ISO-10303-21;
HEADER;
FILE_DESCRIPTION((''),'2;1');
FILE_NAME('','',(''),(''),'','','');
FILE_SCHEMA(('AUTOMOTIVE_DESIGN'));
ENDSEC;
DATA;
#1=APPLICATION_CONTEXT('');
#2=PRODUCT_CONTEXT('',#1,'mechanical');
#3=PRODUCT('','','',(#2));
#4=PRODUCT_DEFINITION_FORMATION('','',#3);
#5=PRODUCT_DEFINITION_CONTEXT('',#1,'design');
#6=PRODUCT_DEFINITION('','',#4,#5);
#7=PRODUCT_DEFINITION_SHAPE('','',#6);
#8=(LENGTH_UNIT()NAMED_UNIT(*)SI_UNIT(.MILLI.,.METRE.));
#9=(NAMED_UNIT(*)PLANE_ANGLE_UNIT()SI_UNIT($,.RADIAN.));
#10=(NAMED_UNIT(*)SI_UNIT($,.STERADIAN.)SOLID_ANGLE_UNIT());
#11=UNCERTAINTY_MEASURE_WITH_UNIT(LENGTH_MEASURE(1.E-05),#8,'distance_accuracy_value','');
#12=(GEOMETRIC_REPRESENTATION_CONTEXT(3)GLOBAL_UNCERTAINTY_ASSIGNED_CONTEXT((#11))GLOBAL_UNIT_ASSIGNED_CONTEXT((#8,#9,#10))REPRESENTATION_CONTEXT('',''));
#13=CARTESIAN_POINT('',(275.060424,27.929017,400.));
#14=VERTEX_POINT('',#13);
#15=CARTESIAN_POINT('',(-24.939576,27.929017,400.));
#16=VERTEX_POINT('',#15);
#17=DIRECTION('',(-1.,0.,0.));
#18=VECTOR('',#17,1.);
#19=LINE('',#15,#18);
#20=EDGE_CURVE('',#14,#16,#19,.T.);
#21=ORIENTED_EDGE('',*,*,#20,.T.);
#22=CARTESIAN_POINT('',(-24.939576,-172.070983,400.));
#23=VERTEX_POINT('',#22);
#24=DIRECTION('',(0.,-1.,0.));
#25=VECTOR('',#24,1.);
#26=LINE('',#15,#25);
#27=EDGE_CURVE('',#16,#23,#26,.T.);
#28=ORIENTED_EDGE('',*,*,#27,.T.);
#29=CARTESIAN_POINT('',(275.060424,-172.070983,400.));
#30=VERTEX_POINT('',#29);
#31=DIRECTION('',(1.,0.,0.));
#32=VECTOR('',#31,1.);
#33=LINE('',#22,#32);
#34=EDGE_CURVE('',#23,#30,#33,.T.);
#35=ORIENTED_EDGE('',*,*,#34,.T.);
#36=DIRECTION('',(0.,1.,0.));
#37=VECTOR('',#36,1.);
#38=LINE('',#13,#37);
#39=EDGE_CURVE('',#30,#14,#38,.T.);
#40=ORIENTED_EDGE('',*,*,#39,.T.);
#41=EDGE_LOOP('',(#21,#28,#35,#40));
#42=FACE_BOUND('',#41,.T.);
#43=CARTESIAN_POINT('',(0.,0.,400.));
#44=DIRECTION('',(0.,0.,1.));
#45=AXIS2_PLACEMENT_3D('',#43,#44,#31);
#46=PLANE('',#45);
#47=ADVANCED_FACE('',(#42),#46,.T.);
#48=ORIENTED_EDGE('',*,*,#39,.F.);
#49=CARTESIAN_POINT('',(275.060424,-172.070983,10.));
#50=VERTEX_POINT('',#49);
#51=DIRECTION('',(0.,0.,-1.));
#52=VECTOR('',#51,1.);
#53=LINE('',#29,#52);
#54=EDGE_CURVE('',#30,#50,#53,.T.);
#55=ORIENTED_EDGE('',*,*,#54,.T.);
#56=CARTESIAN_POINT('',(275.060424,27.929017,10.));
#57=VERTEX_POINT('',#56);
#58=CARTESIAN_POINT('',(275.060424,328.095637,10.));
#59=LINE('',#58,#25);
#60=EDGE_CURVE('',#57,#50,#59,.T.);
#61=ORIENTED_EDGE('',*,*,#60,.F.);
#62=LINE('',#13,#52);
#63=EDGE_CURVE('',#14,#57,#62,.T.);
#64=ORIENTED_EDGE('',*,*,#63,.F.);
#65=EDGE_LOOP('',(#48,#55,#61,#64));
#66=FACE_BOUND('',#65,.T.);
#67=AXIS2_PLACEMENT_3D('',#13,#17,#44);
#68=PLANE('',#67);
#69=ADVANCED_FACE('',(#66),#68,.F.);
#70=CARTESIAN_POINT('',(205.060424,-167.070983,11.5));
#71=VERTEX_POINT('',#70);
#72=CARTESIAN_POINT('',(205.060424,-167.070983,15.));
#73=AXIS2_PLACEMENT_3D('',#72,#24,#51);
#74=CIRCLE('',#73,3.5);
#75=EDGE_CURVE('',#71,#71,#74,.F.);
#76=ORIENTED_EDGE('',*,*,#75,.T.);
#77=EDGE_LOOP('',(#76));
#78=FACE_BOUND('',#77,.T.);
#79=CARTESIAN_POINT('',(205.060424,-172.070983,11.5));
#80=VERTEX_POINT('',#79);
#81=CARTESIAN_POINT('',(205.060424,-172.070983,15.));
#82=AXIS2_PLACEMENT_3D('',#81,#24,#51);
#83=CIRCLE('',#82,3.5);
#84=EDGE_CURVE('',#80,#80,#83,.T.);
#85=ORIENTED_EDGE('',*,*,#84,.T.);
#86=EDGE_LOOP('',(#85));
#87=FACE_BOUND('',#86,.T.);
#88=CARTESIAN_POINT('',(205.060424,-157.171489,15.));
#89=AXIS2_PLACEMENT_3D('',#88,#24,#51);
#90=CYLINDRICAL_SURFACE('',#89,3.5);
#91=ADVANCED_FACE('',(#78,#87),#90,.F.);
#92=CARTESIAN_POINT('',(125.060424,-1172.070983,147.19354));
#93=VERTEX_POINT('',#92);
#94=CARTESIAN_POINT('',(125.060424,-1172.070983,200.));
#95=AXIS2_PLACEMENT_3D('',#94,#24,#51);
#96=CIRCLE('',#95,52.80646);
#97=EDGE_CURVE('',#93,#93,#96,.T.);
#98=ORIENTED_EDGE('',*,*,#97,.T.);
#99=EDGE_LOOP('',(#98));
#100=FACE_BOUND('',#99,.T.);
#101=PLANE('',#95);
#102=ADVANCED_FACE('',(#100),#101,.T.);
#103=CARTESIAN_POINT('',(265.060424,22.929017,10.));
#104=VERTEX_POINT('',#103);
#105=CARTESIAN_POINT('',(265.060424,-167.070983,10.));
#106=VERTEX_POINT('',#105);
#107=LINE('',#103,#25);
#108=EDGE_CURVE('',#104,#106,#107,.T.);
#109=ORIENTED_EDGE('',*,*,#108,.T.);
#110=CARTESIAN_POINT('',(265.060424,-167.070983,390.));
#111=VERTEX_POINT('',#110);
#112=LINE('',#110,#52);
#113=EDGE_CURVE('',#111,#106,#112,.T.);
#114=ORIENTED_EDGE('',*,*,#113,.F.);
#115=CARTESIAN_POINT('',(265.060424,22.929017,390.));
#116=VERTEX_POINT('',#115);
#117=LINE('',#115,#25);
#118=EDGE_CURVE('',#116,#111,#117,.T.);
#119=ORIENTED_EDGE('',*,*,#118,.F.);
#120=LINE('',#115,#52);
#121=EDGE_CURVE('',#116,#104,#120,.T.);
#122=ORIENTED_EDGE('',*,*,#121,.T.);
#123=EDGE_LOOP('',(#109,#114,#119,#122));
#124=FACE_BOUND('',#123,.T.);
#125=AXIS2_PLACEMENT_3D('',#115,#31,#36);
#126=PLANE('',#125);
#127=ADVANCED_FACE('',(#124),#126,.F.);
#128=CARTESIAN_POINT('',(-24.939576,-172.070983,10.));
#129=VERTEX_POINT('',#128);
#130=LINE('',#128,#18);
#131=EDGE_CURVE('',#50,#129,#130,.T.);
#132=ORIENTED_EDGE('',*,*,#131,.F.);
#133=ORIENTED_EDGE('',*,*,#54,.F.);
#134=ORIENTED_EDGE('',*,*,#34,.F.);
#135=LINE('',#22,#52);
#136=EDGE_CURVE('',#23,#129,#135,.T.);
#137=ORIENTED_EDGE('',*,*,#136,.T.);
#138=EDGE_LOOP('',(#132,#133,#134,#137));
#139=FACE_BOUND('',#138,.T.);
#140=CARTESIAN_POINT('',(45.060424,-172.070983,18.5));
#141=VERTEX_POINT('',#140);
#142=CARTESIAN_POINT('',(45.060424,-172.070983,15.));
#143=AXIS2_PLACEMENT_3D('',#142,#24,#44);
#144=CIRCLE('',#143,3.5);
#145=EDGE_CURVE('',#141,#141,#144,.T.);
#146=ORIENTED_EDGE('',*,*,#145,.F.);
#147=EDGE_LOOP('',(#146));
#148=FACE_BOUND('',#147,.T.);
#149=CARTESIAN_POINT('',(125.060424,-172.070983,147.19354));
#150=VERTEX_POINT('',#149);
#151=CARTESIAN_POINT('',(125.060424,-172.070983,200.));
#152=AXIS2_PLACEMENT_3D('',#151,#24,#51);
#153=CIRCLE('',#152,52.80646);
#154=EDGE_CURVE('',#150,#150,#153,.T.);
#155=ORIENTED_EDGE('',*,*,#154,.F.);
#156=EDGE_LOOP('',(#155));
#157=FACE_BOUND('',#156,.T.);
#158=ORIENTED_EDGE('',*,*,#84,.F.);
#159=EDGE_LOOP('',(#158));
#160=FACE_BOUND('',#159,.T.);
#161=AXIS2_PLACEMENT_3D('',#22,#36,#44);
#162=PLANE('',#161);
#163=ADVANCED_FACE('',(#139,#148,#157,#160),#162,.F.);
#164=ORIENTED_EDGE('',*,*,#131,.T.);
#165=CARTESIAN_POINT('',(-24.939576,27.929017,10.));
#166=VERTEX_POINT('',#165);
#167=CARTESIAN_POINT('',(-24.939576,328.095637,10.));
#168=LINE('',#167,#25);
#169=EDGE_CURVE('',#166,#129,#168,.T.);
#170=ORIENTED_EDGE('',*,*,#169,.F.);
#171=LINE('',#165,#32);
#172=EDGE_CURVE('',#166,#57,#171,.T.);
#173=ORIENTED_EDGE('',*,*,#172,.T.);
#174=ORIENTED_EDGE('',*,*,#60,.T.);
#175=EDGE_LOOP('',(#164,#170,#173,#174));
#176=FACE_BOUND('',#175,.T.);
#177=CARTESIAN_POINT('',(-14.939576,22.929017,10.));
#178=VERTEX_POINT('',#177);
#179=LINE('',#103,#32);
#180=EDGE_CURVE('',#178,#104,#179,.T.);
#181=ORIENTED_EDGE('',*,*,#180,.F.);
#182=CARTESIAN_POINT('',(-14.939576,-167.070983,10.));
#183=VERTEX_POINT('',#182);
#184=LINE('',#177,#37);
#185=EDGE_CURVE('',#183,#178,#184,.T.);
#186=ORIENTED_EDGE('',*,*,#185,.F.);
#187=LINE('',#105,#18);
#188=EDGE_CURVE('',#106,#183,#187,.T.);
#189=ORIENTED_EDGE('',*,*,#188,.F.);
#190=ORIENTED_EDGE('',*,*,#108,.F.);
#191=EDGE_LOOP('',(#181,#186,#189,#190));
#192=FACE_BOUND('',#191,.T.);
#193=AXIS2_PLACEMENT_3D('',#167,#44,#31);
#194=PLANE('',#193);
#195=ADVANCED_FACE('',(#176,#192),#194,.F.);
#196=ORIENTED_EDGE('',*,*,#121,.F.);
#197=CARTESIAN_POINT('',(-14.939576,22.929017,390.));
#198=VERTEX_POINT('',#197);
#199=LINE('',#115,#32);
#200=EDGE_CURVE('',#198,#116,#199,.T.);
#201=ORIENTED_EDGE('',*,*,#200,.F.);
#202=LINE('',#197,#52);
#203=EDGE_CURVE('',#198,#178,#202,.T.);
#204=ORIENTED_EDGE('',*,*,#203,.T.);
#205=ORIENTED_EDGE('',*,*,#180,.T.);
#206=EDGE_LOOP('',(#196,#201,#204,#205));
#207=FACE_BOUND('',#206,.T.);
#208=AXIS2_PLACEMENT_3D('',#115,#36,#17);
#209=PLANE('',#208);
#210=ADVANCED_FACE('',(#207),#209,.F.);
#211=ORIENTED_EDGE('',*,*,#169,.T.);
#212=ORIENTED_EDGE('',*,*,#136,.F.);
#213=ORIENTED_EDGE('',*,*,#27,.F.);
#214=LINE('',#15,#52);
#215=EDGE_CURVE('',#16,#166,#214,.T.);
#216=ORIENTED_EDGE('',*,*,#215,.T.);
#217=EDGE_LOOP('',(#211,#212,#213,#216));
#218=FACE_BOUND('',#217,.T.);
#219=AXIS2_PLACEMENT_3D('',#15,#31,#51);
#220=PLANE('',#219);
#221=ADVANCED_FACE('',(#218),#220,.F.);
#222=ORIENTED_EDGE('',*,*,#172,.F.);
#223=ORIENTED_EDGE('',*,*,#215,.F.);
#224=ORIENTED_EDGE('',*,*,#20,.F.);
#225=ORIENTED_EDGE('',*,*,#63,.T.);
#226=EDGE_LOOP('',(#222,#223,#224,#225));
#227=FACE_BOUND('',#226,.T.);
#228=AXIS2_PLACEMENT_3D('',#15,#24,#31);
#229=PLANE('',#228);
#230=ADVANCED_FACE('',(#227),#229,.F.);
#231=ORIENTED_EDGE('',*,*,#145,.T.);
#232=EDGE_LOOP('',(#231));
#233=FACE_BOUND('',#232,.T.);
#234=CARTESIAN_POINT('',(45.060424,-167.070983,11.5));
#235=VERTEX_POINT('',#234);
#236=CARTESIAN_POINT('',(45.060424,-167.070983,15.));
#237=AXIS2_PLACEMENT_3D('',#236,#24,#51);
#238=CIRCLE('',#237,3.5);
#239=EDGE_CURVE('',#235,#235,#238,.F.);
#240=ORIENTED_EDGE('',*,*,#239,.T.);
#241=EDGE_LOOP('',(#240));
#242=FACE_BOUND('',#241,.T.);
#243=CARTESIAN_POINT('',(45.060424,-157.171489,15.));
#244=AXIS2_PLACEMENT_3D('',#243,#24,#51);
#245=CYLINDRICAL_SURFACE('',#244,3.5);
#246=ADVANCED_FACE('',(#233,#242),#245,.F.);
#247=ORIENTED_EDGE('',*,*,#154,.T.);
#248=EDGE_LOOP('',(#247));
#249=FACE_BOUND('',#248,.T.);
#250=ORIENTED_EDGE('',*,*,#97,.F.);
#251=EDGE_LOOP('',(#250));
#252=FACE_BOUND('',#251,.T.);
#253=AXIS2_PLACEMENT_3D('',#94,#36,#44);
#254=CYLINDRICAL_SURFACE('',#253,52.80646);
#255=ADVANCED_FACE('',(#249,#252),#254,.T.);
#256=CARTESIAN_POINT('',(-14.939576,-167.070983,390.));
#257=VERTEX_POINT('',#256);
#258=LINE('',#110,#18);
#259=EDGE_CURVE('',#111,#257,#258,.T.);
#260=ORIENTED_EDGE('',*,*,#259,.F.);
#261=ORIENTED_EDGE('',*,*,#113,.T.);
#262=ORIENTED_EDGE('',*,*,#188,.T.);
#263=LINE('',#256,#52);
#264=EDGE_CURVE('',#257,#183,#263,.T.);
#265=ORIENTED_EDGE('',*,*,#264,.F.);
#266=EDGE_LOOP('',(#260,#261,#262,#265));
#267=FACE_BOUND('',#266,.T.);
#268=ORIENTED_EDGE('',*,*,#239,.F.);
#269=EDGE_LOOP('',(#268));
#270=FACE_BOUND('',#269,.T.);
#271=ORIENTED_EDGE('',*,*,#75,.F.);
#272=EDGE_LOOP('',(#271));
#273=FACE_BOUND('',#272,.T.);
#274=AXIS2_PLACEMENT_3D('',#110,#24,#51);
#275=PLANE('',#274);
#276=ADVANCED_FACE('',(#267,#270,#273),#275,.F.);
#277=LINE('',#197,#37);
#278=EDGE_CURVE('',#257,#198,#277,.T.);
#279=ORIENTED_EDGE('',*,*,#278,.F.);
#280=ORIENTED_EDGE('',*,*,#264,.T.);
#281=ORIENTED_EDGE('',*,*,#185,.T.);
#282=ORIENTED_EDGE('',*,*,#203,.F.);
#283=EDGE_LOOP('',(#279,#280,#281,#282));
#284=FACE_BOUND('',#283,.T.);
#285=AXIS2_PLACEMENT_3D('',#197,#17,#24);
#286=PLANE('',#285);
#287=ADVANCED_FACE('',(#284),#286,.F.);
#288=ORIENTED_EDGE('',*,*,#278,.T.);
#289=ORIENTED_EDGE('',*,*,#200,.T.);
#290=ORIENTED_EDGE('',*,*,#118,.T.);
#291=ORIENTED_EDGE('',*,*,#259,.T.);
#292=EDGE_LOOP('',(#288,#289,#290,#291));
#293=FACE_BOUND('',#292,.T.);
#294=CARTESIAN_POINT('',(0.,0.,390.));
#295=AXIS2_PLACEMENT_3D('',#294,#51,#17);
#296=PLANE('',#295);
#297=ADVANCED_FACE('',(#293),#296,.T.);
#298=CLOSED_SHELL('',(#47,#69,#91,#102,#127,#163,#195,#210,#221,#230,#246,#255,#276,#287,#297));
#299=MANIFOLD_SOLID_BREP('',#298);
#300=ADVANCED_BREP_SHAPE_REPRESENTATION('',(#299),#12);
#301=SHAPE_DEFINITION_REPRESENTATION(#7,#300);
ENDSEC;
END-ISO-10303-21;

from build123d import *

# Parameters (mm, degrees)
SKETCH6_W           = 300
SKETCH6_H           = 200
BOSS_EXTRUDE2_DEPTH = 400
SKETCH7_W           = 280
SKETCH7_H           = 190
CUT_EXTRUDE1_DEPTH  = 390
SKETCH8_R           = 52.806459668
BOSS_EXTRUDE3_DEPTH = 1000
SKETCH9_R           = 3.5
CUT_EXTRUDE3_DEPTH  = 5
CUT_EXTRUDE4_REACH  = 1113.602
SKETCH10_W          = 300
SKETCH10_H          = 10


with BuildPart() as part:
    # Sketch6 → Boss-Extrude2 (new body)
    with BuildSketch(Plane.XY):
        with Locations((125.060423937, -72.070983455)):
            Rectangle(SKETCH6_W, SKETCH6_H)
    extrude(amount=BOSS_EXTRUDE2_DEPTH)

    # Sketch7 → Cut-Extrude1 (cut)
    with BuildSketch(Plane(origin=(0, 0, 0), x_dir=(-1, 0, 0), z_dir=(0, 0, -1))):
        with Locations((-125.060423937, -72.070983455)):
            Rectangle(SKETCH7_W, SKETCH7_H)
    extrude(amount=-CUT_EXTRUDE1_DEPTH, mode=Mode.SUBTRACT)

    # Sketch8 → Boss-Extrude3 (add)
    with BuildSketch(Plane.XZ.offset(172.070983455)):
        with Locations(Location((125.060423937, 200, 0), (0, 0, 270))):
            Circle(SKETCH8_R)
    extrude(amount=BOSS_EXTRUDE3_DEPTH)

    # Sketch9 → Cut-Extrude3 (cut)
    with BuildSketch(Plane.XZ.offset(172.070983455)):
        with Locations(Location((45.060423937, 15, 0), (0, 0, 270))):
            Circle(SKETCH9_R)
        with Locations(Location((205.060423937, 15, 0), (0, 0, 270))):
            Circle(SKETCH9_R)
    extrude(amount=-CUT_EXTRUDE3_DEPTH, mode=Mode.SUBTRACT)

    # Cut-Extrude4: up to this face of the body (flat: up to its plane)
    cut_extrude4_end = Plane(part.part.faces().sort_by_distance((125.060423937, 27.929016545, 200))[0])
    # Sketch10 → Cut-Extrude4 (cut, up to the picked face)
    with BuildSketch(Plane.XZ.offset(172.070983455), mode=Mode.PRIVATE) as cut_extrude4_sk1:
        with Locations((125.060423937, 5)):
            Rectangle(SKETCH10_W, SKETCH10_H)
    cut_extrude4_tool1 = split(extrude(cut_extrude4_sk1.sketch, amount=-CUT_EXTRUDE4_REACH, mode=Mode.PRIVATE), bisect_by=cut_extrude4_end, keep=Keep.BOTH, mode=Mode.PRIVATE)
    add(cut_extrude4_tool1.solids().sort_by(Axis((125.060424, -172.070983, 5), (0, 1, 0)))[0], mode=Mode.SUBTRACT)


solid = part.part
